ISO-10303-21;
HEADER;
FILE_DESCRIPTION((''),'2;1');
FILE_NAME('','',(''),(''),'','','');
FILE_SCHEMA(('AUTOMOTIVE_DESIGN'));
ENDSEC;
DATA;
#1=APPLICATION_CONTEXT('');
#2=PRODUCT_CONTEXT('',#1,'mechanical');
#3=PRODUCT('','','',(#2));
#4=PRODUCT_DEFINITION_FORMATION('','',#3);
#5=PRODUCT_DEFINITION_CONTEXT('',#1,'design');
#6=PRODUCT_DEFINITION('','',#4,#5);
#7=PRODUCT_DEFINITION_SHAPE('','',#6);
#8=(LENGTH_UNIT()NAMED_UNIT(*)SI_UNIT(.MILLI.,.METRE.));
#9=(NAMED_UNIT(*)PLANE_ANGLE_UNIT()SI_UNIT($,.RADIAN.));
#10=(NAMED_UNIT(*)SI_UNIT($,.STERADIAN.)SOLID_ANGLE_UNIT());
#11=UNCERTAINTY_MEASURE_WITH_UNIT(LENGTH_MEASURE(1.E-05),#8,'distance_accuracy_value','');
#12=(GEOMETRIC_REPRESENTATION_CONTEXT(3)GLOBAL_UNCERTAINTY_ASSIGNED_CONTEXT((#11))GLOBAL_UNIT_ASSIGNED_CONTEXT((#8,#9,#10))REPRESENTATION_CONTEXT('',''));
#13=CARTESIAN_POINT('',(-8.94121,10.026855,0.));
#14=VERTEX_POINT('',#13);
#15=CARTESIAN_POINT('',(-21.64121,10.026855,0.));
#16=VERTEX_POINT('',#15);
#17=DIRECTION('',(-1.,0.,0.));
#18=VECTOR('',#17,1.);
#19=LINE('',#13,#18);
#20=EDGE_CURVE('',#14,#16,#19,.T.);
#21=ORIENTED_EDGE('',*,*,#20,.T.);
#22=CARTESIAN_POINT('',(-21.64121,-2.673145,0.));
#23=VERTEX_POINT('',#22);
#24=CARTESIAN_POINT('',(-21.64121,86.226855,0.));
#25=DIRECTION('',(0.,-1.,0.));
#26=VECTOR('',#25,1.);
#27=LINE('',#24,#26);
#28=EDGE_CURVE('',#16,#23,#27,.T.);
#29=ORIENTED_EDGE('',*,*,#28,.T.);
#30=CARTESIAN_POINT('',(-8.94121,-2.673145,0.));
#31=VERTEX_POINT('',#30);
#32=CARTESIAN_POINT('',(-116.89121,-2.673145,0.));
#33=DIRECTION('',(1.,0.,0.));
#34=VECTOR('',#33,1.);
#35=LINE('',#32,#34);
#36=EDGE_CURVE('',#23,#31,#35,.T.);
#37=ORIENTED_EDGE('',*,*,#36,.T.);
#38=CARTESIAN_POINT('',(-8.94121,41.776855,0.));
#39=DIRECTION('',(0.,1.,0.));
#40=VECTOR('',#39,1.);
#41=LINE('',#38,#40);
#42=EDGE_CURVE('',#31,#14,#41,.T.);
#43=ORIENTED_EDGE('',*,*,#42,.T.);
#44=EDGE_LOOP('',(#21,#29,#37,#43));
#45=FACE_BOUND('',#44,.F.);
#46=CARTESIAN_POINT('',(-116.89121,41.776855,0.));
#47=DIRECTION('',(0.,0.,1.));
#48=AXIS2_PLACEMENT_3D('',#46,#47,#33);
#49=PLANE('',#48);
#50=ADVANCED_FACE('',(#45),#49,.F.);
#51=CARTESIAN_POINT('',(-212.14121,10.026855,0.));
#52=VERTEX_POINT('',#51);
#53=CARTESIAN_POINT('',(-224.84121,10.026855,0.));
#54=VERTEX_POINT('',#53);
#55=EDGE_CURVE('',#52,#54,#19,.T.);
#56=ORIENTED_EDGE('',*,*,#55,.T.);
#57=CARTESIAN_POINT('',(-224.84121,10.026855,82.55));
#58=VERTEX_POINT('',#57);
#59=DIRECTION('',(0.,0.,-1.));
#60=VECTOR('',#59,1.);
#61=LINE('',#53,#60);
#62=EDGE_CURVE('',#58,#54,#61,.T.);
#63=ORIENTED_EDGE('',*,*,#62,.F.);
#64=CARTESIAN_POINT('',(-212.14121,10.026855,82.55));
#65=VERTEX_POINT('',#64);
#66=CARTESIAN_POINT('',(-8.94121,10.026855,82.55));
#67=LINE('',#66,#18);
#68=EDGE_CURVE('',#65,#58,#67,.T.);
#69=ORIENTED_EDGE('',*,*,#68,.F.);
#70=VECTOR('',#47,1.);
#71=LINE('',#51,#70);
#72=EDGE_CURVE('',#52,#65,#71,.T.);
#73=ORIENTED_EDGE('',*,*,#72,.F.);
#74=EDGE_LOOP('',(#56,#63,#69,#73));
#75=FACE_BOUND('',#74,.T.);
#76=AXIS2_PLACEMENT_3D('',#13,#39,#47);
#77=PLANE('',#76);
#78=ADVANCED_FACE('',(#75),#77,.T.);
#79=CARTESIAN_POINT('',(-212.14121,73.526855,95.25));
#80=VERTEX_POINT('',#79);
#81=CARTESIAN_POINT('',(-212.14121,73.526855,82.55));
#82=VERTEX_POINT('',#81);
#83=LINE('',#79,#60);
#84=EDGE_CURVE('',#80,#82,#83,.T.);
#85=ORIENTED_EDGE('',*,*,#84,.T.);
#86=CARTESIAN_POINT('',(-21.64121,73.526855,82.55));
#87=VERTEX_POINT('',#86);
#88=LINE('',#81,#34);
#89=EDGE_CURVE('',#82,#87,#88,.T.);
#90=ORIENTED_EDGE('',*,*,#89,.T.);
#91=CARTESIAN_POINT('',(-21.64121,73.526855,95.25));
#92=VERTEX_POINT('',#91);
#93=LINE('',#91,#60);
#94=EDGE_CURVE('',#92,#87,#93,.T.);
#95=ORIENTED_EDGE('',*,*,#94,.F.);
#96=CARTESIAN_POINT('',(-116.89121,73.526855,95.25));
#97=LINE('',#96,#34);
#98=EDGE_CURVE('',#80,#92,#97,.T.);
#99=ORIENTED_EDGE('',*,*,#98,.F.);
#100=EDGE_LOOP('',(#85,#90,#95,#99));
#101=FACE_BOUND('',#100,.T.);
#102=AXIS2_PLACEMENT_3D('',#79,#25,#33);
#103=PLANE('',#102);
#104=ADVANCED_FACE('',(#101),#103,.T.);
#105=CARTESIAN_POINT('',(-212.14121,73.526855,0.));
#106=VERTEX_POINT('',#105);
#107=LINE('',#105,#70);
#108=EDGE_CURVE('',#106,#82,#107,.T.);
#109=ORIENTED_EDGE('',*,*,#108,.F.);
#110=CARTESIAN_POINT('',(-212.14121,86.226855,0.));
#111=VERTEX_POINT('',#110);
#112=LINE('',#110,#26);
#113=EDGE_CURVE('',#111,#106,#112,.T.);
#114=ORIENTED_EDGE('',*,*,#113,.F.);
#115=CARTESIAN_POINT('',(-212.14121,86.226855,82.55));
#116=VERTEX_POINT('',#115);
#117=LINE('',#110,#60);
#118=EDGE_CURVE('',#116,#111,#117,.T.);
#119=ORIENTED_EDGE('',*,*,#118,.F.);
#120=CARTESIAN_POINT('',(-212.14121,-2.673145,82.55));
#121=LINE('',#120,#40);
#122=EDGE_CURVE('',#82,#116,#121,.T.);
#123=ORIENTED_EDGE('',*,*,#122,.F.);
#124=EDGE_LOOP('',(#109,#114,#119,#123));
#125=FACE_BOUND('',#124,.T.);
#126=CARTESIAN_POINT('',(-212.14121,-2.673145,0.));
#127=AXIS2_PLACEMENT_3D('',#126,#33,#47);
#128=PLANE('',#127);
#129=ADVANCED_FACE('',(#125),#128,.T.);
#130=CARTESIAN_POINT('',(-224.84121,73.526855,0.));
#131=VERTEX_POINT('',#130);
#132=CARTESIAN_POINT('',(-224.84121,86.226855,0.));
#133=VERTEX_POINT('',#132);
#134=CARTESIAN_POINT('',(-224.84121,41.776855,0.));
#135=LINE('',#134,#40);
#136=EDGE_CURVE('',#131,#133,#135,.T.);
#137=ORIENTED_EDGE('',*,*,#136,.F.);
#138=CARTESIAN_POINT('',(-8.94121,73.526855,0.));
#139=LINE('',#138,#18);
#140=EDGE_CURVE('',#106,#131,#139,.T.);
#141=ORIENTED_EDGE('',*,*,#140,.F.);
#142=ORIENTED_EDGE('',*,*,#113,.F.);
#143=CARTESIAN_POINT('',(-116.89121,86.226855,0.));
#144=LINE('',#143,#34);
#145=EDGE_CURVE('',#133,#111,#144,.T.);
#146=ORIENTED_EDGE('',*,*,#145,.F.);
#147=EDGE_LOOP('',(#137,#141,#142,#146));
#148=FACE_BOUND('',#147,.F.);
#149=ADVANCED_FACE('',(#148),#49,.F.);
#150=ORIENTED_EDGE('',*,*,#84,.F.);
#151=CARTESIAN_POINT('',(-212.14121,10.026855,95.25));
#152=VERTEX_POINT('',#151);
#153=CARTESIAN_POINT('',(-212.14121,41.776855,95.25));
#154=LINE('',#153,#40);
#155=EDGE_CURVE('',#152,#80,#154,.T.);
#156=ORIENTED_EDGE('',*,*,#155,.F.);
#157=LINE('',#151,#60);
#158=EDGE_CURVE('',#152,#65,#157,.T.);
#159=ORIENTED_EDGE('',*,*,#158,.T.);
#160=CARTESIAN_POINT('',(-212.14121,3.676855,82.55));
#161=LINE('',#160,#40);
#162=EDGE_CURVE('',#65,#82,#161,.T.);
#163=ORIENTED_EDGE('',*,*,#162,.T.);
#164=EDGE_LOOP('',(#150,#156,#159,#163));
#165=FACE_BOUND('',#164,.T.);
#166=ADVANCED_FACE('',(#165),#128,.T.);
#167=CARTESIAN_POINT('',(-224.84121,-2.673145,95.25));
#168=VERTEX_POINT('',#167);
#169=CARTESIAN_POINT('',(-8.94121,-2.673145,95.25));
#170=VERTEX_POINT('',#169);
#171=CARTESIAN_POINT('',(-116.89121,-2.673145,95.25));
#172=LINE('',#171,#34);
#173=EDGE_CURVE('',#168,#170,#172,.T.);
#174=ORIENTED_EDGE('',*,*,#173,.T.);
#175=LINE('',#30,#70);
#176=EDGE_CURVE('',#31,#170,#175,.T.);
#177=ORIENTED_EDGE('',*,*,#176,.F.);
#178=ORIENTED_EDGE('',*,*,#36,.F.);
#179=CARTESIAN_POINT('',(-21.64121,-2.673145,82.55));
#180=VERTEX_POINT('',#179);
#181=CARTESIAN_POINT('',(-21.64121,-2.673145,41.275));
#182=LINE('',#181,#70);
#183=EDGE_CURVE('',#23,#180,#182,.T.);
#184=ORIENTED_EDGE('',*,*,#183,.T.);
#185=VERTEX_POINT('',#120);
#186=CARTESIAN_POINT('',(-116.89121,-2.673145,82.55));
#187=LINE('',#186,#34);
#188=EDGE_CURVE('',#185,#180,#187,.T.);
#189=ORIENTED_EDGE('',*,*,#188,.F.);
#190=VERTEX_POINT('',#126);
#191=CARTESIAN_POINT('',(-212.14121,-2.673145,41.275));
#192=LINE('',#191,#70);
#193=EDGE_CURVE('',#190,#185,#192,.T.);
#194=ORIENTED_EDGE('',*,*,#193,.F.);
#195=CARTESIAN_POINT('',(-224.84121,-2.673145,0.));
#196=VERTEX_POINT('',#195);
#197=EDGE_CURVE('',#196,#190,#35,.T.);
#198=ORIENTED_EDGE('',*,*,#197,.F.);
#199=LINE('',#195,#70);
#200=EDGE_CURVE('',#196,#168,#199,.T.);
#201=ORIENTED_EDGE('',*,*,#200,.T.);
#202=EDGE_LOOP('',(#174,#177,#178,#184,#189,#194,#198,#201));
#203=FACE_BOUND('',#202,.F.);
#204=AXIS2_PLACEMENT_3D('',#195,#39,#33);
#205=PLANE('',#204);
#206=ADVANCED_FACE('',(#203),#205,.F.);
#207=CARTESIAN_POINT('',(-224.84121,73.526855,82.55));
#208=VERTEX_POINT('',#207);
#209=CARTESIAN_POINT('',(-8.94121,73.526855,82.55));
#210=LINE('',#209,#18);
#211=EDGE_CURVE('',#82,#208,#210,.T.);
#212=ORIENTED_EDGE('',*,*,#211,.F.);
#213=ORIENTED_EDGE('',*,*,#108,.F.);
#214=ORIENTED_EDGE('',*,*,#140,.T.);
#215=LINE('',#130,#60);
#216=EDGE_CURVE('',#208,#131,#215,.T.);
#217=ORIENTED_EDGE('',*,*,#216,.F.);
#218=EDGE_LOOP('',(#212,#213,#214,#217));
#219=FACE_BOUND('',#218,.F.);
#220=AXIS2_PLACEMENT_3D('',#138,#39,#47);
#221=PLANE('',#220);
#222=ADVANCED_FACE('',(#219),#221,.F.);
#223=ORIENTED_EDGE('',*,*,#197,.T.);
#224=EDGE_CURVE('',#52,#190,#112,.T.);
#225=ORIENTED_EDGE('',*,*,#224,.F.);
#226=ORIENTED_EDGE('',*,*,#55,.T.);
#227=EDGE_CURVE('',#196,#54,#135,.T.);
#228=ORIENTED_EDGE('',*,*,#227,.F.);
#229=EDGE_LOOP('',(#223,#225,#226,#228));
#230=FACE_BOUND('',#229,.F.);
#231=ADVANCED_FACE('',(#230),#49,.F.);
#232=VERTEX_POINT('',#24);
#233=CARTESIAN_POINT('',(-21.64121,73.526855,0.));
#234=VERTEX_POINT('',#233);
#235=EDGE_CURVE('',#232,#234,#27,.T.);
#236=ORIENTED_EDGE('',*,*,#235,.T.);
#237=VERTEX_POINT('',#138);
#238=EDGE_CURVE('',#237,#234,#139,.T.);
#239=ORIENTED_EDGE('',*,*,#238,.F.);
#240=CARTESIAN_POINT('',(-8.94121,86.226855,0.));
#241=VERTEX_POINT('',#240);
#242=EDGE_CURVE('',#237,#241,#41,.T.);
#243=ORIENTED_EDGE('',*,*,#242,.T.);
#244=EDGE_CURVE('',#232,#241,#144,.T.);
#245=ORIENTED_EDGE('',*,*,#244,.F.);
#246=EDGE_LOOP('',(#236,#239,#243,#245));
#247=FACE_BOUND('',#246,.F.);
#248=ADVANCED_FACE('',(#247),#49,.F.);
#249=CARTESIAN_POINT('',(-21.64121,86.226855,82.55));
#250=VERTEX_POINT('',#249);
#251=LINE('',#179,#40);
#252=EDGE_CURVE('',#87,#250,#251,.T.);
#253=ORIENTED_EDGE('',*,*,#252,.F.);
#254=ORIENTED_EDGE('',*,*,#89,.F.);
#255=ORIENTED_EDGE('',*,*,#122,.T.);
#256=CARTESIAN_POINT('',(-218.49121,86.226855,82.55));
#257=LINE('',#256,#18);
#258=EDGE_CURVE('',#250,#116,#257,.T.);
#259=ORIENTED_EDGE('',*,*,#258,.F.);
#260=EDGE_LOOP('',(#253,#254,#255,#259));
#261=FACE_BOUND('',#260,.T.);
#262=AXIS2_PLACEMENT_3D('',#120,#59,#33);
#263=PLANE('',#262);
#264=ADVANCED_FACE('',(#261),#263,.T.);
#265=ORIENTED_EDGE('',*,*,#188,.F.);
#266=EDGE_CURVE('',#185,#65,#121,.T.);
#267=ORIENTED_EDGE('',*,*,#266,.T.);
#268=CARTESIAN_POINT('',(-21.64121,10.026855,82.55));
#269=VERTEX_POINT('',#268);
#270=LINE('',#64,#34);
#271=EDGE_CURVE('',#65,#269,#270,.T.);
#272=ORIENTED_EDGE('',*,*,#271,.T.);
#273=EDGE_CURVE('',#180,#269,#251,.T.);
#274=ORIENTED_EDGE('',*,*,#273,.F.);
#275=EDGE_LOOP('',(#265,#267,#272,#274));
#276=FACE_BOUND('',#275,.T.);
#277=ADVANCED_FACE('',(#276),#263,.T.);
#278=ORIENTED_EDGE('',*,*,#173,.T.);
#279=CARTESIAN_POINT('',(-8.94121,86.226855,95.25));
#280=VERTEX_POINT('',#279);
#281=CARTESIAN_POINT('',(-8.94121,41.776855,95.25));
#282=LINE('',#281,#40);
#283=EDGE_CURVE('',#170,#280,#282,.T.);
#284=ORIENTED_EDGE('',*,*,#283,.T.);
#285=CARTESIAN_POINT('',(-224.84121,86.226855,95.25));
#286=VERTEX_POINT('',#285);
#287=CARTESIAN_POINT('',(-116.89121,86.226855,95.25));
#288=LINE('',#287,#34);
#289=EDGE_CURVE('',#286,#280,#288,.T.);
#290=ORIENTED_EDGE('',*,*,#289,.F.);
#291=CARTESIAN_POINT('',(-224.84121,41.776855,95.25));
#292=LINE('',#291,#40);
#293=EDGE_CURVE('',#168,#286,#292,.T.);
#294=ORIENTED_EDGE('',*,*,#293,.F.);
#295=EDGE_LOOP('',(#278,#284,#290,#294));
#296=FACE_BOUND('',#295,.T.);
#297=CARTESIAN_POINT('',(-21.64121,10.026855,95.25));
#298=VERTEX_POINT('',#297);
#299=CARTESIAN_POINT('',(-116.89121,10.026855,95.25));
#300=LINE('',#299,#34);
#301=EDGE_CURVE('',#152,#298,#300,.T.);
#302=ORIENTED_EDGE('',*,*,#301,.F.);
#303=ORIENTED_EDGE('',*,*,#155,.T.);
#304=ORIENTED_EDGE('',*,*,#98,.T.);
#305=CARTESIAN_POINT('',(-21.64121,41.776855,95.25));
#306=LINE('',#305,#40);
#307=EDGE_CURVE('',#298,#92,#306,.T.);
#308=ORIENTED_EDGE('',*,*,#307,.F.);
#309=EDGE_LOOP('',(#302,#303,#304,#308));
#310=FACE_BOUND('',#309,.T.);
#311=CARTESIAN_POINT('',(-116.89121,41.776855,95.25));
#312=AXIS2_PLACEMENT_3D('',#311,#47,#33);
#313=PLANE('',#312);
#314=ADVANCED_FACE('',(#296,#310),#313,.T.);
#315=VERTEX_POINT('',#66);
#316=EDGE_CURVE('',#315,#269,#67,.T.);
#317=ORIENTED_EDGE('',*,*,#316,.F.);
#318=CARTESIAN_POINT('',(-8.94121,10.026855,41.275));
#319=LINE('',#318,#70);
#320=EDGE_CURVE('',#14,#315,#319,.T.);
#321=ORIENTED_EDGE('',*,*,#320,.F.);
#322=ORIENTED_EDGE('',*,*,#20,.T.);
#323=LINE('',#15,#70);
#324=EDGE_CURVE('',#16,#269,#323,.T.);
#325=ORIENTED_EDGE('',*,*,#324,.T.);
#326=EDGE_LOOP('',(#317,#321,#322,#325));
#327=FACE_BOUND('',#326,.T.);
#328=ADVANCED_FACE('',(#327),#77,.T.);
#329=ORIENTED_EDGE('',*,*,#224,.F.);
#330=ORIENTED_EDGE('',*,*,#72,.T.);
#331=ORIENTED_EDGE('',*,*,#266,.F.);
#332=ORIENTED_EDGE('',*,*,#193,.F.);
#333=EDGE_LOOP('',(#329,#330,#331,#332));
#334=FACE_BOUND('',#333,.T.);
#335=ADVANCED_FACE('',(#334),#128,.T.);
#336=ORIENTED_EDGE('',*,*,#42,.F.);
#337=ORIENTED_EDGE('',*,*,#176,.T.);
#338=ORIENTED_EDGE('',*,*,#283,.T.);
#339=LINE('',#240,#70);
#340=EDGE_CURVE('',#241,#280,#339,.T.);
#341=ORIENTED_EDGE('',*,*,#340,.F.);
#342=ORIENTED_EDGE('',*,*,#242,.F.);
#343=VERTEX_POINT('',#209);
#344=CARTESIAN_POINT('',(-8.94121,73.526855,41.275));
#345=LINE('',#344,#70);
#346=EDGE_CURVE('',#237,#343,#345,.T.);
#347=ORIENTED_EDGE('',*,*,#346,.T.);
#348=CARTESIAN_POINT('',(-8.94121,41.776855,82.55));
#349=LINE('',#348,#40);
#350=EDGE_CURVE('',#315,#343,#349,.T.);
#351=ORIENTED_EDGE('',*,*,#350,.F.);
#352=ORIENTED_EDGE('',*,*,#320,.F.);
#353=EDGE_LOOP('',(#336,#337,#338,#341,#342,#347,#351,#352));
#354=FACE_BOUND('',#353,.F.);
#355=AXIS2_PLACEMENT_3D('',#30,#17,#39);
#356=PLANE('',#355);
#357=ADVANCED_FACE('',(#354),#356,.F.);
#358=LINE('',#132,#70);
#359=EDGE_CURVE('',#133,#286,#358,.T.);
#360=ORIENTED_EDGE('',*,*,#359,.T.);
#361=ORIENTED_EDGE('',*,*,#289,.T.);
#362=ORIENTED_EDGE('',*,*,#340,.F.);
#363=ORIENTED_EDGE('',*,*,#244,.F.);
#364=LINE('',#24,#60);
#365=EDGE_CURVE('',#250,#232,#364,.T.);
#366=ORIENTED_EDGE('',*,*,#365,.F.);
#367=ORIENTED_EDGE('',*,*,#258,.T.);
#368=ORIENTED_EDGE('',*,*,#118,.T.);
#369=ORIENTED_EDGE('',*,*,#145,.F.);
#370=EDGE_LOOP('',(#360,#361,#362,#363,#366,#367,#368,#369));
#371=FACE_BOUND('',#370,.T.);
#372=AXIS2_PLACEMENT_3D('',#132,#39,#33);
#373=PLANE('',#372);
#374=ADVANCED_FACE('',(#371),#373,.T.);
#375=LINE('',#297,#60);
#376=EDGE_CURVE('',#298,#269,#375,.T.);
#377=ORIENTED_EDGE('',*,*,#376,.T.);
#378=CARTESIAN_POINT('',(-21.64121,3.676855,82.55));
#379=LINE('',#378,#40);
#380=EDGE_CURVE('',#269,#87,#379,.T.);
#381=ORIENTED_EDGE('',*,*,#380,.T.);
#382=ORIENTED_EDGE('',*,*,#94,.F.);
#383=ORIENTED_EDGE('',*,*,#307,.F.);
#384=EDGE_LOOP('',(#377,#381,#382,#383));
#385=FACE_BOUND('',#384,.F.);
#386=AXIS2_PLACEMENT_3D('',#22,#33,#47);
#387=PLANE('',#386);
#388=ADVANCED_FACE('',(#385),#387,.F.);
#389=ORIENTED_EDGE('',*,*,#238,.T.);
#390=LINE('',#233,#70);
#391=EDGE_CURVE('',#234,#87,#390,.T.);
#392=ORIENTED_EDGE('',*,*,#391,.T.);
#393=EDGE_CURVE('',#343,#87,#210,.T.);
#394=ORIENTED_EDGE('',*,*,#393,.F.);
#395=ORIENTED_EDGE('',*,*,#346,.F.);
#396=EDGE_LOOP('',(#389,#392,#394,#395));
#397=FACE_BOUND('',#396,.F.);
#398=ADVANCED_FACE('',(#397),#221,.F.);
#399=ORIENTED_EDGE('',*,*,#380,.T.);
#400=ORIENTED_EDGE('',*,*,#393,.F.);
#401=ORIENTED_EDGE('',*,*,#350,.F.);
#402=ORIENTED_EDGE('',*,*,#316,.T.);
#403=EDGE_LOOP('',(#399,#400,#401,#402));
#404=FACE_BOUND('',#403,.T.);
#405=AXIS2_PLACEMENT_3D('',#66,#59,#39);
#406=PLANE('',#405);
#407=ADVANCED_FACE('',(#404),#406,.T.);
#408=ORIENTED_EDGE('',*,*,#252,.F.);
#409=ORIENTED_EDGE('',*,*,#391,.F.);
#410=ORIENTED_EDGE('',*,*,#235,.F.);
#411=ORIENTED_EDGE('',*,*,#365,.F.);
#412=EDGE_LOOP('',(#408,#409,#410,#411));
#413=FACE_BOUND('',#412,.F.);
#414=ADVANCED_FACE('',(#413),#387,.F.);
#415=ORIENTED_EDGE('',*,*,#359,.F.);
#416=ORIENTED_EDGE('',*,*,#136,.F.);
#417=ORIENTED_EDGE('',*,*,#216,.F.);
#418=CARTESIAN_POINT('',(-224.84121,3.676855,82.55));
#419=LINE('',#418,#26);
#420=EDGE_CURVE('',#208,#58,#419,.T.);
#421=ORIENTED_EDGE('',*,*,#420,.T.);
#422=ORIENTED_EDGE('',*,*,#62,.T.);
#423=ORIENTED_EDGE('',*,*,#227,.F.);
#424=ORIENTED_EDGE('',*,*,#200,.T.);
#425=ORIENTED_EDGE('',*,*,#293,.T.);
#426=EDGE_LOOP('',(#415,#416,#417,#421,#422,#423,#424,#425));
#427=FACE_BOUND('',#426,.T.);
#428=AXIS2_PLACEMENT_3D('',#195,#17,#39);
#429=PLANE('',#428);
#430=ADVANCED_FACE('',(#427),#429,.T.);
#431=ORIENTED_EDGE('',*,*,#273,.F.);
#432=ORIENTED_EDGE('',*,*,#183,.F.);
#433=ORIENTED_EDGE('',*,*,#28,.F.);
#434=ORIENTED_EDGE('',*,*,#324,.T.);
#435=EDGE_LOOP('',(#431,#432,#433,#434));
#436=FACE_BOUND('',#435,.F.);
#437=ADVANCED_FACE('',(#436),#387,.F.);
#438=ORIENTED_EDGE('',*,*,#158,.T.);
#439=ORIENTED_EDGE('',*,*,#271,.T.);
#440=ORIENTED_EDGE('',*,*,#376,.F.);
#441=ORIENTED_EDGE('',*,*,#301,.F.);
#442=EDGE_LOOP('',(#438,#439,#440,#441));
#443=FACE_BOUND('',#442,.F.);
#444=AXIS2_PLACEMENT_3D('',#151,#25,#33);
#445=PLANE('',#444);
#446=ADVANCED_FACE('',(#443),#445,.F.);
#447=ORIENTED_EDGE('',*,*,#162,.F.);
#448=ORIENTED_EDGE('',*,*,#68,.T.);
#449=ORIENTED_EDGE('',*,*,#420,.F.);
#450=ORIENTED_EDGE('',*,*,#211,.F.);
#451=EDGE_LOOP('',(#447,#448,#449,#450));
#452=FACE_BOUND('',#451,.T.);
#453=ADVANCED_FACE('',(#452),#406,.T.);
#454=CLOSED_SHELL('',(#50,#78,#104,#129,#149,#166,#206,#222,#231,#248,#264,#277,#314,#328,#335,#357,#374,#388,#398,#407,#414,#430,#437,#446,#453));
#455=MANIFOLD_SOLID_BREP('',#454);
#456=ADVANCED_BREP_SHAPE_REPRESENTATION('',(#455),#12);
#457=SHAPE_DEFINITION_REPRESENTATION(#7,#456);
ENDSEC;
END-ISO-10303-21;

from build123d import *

# Parameters (mm, degrees)
F0_W     = 215.9
F0_H     = 88.9
F1_DEPTH = 95.25
F2_W     = 190.5
F2_H     = 63.5
F3_DEPTH = 95.251
F4_W     = 190.5
F4_H     = 82.55
F5_DEPTH = 88.901
F6_W     = 63.5
F6_H     = 82.55
F7_DEPTH = 215.901


with BuildPart() as f1:
    # F0 (on Top) → F1 (new body)
    with BuildSketch(Plane.XY):
        with Locations((-116.891209875, 41.7768546164)):
            Rectangle(F0_W, F0_H)
    extrude(amount=F1_DEPTH)

    # F2 (on face) → F3 (cut, through all)
    with BuildSketch(Plane.XY.offset(95.25)):
        with Locations((-116.891209875, 41.7768546164)):
            Rectangle(F2_W, F2_H)
    extrude(amount=-F3_DEPTH, mode=Mode.SUBTRACT)

    # F4 (on face) → F5 (cut, through all)
    with BuildSketch(Plane.XZ.offset(2.6731453836)):
        with Locations((-116.891209875, 41.275)):
            Rectangle(F4_W, F4_H)
    extrude(amount=-F5_DEPTH, mode=Mode.SUBTRACT)

    # F6 (on face) → F7 (cut, through all)
    with BuildSketch(Plane.YZ.offset(-8.941209875)):
        with Locations((41.7768546164, 41.275)):
            Rectangle(F6_W, F6_H)
    extrude(amount=-F7_DEPTH, mode=Mode.SUBTRACT)


solid = f1.part
